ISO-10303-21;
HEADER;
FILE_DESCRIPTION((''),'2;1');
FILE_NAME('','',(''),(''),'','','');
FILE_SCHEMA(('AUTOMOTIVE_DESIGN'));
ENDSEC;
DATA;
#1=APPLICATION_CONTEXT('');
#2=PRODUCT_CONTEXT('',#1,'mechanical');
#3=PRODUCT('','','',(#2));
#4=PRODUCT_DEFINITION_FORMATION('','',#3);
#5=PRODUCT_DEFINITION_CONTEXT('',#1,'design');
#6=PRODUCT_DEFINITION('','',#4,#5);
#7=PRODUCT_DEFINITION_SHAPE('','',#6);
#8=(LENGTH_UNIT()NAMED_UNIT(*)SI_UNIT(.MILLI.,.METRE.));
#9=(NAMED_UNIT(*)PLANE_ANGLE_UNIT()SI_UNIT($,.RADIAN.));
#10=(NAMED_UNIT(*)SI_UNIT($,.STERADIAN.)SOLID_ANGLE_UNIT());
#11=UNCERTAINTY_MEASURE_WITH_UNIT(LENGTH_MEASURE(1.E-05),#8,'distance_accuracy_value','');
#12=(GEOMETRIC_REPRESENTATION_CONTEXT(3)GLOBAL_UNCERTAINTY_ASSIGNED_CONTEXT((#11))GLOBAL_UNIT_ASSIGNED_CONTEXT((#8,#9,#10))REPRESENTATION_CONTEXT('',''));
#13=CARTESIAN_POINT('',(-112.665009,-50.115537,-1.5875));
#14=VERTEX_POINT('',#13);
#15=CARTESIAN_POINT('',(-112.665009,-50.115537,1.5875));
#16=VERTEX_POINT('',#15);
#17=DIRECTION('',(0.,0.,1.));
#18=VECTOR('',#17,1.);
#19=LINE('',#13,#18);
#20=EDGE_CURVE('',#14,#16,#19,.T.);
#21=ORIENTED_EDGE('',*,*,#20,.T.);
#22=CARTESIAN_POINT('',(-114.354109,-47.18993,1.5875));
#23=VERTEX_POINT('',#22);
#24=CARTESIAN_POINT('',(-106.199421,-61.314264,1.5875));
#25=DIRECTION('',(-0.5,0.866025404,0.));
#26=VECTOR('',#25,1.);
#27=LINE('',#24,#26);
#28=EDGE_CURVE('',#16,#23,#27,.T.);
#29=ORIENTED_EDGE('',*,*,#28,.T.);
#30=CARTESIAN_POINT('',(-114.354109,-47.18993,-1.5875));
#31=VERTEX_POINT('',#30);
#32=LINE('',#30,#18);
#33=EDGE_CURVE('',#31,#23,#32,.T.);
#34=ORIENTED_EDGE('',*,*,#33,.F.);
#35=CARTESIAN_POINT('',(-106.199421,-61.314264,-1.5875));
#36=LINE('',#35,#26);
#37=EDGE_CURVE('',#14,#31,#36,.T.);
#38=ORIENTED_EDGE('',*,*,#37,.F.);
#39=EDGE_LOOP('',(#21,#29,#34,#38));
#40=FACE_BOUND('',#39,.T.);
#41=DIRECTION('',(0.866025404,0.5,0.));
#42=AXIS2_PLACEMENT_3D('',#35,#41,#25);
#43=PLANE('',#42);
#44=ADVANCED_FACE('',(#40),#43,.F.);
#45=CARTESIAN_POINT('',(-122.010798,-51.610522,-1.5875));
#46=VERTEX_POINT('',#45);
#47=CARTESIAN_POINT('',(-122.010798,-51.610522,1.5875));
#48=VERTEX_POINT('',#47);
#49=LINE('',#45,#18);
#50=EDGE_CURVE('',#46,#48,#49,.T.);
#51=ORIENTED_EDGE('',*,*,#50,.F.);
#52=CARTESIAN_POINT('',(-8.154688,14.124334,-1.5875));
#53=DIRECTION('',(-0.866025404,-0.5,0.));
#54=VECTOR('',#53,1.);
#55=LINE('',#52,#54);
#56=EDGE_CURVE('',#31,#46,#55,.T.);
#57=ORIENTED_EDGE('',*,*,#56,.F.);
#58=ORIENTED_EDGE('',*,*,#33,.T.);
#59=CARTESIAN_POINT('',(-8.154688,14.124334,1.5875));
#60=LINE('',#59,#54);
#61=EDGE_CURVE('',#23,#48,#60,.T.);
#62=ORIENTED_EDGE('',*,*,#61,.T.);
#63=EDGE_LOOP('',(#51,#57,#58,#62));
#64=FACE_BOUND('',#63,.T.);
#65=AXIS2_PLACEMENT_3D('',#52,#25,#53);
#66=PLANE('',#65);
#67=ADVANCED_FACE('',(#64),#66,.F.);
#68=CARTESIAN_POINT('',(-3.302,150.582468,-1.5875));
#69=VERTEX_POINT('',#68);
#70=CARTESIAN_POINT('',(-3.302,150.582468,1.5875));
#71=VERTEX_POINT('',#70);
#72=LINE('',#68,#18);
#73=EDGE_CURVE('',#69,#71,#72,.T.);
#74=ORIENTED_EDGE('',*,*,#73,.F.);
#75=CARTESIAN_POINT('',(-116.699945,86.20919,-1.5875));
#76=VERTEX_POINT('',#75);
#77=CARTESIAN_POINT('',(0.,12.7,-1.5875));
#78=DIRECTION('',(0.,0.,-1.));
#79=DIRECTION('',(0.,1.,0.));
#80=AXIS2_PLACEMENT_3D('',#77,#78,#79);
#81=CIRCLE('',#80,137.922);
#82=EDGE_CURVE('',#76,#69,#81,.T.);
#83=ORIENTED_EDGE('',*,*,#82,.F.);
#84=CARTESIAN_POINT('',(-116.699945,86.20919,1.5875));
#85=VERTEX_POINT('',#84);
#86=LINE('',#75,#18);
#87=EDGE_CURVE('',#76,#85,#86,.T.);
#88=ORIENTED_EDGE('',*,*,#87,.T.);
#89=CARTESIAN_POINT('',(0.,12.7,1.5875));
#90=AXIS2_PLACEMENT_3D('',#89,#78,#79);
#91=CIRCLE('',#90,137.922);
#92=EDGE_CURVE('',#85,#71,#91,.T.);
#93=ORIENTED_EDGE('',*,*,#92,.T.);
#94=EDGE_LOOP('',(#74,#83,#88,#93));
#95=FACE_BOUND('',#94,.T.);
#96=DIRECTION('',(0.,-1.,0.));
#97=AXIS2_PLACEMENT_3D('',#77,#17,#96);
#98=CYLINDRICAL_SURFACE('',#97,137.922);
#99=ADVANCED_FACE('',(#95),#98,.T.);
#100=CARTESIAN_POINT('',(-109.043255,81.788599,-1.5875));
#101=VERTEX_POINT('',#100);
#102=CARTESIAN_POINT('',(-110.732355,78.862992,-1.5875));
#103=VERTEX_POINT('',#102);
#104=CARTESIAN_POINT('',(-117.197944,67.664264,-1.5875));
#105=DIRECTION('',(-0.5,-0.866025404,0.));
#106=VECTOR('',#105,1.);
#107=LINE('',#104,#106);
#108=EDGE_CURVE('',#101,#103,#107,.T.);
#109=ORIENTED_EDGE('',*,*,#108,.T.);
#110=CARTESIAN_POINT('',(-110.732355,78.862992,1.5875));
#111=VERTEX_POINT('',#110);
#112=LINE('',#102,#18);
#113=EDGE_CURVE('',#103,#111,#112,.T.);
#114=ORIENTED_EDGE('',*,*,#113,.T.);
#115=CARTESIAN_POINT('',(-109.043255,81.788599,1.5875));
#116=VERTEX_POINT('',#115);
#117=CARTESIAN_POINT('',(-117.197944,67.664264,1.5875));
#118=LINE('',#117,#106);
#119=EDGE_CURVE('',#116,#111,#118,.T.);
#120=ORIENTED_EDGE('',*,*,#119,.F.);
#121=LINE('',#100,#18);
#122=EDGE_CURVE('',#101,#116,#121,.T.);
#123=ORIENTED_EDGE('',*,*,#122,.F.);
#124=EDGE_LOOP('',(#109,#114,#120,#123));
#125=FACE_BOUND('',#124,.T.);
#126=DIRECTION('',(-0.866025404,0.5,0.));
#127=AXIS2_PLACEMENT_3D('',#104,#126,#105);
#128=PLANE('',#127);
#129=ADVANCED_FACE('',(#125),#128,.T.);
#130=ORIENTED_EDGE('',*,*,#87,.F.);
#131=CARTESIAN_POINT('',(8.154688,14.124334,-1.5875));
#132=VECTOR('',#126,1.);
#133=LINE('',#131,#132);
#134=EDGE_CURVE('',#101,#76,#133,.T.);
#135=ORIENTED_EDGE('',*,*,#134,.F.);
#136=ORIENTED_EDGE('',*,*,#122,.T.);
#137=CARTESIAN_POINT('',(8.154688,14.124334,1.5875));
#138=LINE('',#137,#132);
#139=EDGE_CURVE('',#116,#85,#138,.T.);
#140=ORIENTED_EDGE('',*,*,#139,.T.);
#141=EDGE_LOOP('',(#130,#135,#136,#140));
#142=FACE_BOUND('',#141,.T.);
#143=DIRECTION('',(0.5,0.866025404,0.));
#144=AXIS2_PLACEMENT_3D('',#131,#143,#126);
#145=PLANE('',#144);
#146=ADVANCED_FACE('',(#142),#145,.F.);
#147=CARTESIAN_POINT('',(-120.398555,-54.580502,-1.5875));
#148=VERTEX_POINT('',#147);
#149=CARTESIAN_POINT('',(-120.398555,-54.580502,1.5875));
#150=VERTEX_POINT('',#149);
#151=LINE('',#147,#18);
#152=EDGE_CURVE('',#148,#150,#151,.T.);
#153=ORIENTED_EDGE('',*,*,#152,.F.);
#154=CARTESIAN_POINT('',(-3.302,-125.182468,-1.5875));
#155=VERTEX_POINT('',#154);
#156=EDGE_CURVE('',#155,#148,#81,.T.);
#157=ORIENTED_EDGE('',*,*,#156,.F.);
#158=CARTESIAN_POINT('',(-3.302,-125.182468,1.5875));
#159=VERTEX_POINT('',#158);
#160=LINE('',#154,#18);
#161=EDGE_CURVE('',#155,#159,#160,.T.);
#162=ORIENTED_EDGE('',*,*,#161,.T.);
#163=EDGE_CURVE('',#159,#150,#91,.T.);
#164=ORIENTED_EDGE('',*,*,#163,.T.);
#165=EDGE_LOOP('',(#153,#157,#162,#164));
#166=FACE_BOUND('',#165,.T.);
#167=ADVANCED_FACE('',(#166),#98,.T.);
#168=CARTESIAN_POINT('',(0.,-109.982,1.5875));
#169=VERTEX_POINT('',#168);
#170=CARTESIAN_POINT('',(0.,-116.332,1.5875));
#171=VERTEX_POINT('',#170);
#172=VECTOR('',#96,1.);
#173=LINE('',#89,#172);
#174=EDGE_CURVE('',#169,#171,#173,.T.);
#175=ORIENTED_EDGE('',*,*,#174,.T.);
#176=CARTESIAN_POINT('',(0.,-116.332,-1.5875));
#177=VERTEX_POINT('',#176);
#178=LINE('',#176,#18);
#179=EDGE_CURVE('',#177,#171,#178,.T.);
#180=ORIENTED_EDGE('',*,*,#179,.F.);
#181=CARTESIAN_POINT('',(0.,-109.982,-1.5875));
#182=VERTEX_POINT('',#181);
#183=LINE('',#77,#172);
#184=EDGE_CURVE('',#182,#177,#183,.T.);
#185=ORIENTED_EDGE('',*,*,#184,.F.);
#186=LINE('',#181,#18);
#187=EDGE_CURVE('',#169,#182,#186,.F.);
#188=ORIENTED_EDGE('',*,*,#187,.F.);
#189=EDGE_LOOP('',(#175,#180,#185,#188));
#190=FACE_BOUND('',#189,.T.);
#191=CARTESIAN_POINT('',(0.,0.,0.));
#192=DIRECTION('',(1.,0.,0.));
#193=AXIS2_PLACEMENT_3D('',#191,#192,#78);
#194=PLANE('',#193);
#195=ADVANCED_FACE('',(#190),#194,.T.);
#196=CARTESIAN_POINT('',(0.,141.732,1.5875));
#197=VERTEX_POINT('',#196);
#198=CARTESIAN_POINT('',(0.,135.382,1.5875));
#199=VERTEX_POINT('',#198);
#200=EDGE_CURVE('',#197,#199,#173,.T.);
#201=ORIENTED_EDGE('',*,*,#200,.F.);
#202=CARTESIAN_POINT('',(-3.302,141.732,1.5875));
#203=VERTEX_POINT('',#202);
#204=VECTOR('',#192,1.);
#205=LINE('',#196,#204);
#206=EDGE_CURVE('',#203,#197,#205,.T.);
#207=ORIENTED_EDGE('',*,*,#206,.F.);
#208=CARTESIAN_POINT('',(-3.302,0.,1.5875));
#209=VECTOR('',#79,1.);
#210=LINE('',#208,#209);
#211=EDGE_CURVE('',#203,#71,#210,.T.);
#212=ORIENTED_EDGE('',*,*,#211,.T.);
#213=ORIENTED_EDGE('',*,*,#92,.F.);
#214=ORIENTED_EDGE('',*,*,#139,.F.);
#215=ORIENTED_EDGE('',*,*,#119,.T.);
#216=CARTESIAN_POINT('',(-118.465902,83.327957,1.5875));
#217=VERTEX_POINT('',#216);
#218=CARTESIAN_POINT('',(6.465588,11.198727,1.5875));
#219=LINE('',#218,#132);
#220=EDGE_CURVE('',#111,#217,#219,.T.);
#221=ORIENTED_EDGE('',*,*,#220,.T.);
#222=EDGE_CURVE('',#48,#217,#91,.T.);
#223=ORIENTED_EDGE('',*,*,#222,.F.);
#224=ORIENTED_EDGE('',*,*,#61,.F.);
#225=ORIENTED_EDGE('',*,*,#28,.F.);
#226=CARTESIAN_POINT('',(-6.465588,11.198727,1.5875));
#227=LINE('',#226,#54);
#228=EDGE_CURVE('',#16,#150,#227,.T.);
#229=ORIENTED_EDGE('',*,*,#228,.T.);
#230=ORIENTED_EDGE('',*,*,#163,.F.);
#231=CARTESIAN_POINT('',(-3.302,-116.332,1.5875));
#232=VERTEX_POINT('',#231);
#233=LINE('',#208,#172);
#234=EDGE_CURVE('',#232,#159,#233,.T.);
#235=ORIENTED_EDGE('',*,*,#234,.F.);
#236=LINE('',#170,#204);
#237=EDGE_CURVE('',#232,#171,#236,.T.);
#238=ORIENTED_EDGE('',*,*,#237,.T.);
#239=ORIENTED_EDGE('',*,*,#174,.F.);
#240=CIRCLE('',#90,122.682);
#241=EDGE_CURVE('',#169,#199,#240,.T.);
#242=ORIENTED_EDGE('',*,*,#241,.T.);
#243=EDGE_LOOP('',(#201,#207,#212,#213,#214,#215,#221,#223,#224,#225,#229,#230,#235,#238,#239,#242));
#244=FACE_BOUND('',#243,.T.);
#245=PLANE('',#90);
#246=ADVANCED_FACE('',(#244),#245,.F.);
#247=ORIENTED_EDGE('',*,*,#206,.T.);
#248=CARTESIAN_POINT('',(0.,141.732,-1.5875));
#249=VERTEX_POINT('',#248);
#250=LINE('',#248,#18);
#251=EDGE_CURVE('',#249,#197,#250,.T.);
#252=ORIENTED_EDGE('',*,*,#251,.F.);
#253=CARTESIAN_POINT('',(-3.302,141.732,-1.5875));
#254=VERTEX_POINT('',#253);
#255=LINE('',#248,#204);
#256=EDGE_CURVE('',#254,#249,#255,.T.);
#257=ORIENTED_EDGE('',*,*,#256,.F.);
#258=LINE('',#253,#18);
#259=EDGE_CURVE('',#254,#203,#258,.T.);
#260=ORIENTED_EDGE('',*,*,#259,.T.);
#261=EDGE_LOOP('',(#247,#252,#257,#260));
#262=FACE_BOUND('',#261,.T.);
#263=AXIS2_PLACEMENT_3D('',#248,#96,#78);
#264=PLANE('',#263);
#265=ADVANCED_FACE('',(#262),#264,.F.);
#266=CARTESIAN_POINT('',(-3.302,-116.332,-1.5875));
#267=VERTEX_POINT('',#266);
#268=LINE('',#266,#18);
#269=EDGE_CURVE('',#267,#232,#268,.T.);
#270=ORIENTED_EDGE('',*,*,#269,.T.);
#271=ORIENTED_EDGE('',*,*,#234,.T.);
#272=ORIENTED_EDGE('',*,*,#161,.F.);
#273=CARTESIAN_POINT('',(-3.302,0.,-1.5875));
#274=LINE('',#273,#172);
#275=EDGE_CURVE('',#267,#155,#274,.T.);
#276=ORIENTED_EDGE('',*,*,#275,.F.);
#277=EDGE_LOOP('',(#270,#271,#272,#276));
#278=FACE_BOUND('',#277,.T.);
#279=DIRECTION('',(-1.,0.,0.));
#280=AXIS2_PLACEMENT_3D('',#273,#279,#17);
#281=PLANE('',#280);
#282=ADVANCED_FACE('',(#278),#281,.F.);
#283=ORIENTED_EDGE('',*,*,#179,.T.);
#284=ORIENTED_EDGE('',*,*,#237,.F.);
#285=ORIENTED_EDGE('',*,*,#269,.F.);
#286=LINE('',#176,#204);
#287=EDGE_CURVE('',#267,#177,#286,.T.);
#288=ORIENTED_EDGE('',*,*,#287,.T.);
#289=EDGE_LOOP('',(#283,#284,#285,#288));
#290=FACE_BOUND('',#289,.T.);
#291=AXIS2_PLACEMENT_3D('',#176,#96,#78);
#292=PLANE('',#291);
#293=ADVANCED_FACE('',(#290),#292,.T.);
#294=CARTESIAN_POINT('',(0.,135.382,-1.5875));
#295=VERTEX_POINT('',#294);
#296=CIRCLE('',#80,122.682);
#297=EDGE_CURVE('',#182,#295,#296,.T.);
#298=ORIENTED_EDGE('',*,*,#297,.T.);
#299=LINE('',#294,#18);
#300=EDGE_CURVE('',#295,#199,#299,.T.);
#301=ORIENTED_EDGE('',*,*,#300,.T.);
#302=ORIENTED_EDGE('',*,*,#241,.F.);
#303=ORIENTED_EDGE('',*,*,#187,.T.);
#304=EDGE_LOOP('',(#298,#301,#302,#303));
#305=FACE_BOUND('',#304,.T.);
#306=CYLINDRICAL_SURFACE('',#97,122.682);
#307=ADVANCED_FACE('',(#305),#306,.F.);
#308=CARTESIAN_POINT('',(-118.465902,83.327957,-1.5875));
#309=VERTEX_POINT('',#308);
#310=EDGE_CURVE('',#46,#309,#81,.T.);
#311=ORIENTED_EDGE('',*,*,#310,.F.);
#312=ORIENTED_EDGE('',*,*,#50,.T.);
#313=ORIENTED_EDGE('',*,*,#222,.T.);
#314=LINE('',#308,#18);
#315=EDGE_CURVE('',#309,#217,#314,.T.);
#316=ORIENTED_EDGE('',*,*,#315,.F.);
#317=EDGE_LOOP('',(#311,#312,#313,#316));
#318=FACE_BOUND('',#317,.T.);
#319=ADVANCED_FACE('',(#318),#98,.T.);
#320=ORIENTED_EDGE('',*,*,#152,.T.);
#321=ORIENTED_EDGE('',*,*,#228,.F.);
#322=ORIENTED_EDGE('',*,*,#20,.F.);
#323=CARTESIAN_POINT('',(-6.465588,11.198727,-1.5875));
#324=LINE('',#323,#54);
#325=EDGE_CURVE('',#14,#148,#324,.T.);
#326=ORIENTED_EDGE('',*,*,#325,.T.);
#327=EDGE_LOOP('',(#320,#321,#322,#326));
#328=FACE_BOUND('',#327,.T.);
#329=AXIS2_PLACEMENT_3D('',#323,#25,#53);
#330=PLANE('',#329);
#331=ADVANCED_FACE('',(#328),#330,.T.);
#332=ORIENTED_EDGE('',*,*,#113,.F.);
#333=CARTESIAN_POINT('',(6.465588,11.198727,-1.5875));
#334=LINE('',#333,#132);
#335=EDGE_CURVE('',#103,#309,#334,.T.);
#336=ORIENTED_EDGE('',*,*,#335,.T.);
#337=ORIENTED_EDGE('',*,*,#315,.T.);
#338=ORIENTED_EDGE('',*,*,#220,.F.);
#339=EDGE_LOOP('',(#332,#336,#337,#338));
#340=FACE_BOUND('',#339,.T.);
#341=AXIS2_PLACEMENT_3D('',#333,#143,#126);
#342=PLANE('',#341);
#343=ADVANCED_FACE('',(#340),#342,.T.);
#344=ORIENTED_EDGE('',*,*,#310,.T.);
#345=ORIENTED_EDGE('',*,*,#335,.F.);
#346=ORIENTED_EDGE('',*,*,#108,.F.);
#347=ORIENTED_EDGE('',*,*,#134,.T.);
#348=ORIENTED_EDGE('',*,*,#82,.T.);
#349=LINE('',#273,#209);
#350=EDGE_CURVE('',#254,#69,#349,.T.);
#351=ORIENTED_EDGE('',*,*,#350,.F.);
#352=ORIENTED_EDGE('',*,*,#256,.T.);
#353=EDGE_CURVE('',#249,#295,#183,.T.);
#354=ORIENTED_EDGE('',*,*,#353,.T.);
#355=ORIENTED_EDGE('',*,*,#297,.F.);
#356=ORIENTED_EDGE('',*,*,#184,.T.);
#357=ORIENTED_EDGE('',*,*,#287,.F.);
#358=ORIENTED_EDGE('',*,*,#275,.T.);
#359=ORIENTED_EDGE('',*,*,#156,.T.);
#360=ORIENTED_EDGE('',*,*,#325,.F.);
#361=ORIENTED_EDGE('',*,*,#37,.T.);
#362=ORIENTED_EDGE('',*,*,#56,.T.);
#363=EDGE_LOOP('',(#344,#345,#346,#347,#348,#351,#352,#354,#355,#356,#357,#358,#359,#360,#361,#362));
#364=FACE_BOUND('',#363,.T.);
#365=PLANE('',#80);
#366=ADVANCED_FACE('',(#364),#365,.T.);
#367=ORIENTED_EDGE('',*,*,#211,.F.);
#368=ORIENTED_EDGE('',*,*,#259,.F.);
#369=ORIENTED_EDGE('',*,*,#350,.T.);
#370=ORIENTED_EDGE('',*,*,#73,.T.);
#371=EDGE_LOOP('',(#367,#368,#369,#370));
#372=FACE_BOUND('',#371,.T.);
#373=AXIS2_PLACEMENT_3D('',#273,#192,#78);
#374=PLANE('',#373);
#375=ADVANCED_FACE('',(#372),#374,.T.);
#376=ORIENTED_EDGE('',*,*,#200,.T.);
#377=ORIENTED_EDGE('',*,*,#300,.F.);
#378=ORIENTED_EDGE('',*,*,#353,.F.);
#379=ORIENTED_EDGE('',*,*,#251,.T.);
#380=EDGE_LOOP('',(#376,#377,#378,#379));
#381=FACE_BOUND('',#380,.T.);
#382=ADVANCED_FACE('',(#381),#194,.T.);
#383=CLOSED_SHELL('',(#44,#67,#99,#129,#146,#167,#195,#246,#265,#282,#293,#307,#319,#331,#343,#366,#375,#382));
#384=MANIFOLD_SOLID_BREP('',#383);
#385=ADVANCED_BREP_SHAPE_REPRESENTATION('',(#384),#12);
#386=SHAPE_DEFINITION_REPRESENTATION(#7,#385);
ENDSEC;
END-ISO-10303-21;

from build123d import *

# Parameters (mm, degrees)
SKETCH2_R           = 137.922
SKETCH2_R_2         = 122.682
BOSS_EXTRUDE2_DEPTH = 1.5875
SKETCH3_W           = 290.977734258
SKETCH3_H           = 504.828840158
CUT_EXTRUDE1_DEPTH  = 138.922
CUT_EXTRUDE2_DEPTH  = 4.175


with BuildPart() as part:
    # Sketch2 → Boss-Extrude2 (new body, symmetric)
    with BuildSketch(Plane(origin=(248.273568551, -245.01347209, 0), x_dir=(0, -1, 0), z_dir=(0, 0, -1))):
        with Locations((-257.71347209, 248.273568551)):
            Circle(SKETCH2_R)
        with Locations((-257.71347209, 248.273568551)):
            Circle(SKETCH2_R_2, mode=Mode.SUBTRACT)
    extrude(amount=BOSS_EXTRUDE2_DEPTH, both=True)

    # Sketch3 → Cut-Extrude1 (cut, through all)
    with BuildSketch(Plane(origin=(0, 0, 0), x_dir=(0, 0, -1), z_dir=(1, 0, 0))):
        with Locations((4.206907001, 10.947122083)):
            Rectangle(SKETCH3_W, SKETCH3_H)
    extrude(amount=CUT_EXTRUDE1_DEPTH, mode=Mode.SUBTRACT)

    # Sketch5 → Cut-Extrude2 (cut, through all)
    with BuildSketch(Plane.XY.offset(1.5875)):
        with BuildLine():
            Line((-3.302, 150.582467631), (-3.302, 141.732))
            Line((-3.302, 141.732), (0, 141.732))
            Line((0, 141.732), (0, 150.622))
            ThreePointArc((0, 150.622), (-1.651118319, 150.612116554), (-3.302, 150.582467631))
        make_face()
        with BuildLine():
            Line((-109.043255392, 81.788598611), (-116.699944513, 86.209190137))
            ThreePointArc((-116.699944513, 86.209190137), (-117.591747875, 84.773982239), (-118.465901574, 83.327956562))
            Line((-118.465901574, 83.327956562), (-110.732355392, 78.862991592))
            Line((-110.732355392, 78.862991592), (-109.043255392, 81.788598611))
        make_face()
        with BuildLine():
            Line((-114.354109205, -47.189929975), (-122.010798327, -51.610521501))
            ThreePointArc((-122.010798327, -51.610521501), (-121.213773508, -53.100449816), (-120.398555388, -54.580501964))
            Line((-120.398555388, -54.580501964), (-112.665009205, -50.115536994))
            Line((-112.665009205, -50.115536994), (-114.354109205, -47.189929975))
        make_face()
        with BuildLine():
            Line((-3.302, -116.332), (-3.302, -125.182467631))
            ThreePointArc((-3.302, -125.182467631), (-1.651118319, -125.212116554), (0, -125.222))
            Line((0, -125.222), (0, -116.332))
            Line((0, -116.332), (-3.302, -116.332))
        make_face()
    extrude(amount=-CUT_EXTRUDE2_DEPTH, mode=Mode.SUBTRACT)


solid = part.part
